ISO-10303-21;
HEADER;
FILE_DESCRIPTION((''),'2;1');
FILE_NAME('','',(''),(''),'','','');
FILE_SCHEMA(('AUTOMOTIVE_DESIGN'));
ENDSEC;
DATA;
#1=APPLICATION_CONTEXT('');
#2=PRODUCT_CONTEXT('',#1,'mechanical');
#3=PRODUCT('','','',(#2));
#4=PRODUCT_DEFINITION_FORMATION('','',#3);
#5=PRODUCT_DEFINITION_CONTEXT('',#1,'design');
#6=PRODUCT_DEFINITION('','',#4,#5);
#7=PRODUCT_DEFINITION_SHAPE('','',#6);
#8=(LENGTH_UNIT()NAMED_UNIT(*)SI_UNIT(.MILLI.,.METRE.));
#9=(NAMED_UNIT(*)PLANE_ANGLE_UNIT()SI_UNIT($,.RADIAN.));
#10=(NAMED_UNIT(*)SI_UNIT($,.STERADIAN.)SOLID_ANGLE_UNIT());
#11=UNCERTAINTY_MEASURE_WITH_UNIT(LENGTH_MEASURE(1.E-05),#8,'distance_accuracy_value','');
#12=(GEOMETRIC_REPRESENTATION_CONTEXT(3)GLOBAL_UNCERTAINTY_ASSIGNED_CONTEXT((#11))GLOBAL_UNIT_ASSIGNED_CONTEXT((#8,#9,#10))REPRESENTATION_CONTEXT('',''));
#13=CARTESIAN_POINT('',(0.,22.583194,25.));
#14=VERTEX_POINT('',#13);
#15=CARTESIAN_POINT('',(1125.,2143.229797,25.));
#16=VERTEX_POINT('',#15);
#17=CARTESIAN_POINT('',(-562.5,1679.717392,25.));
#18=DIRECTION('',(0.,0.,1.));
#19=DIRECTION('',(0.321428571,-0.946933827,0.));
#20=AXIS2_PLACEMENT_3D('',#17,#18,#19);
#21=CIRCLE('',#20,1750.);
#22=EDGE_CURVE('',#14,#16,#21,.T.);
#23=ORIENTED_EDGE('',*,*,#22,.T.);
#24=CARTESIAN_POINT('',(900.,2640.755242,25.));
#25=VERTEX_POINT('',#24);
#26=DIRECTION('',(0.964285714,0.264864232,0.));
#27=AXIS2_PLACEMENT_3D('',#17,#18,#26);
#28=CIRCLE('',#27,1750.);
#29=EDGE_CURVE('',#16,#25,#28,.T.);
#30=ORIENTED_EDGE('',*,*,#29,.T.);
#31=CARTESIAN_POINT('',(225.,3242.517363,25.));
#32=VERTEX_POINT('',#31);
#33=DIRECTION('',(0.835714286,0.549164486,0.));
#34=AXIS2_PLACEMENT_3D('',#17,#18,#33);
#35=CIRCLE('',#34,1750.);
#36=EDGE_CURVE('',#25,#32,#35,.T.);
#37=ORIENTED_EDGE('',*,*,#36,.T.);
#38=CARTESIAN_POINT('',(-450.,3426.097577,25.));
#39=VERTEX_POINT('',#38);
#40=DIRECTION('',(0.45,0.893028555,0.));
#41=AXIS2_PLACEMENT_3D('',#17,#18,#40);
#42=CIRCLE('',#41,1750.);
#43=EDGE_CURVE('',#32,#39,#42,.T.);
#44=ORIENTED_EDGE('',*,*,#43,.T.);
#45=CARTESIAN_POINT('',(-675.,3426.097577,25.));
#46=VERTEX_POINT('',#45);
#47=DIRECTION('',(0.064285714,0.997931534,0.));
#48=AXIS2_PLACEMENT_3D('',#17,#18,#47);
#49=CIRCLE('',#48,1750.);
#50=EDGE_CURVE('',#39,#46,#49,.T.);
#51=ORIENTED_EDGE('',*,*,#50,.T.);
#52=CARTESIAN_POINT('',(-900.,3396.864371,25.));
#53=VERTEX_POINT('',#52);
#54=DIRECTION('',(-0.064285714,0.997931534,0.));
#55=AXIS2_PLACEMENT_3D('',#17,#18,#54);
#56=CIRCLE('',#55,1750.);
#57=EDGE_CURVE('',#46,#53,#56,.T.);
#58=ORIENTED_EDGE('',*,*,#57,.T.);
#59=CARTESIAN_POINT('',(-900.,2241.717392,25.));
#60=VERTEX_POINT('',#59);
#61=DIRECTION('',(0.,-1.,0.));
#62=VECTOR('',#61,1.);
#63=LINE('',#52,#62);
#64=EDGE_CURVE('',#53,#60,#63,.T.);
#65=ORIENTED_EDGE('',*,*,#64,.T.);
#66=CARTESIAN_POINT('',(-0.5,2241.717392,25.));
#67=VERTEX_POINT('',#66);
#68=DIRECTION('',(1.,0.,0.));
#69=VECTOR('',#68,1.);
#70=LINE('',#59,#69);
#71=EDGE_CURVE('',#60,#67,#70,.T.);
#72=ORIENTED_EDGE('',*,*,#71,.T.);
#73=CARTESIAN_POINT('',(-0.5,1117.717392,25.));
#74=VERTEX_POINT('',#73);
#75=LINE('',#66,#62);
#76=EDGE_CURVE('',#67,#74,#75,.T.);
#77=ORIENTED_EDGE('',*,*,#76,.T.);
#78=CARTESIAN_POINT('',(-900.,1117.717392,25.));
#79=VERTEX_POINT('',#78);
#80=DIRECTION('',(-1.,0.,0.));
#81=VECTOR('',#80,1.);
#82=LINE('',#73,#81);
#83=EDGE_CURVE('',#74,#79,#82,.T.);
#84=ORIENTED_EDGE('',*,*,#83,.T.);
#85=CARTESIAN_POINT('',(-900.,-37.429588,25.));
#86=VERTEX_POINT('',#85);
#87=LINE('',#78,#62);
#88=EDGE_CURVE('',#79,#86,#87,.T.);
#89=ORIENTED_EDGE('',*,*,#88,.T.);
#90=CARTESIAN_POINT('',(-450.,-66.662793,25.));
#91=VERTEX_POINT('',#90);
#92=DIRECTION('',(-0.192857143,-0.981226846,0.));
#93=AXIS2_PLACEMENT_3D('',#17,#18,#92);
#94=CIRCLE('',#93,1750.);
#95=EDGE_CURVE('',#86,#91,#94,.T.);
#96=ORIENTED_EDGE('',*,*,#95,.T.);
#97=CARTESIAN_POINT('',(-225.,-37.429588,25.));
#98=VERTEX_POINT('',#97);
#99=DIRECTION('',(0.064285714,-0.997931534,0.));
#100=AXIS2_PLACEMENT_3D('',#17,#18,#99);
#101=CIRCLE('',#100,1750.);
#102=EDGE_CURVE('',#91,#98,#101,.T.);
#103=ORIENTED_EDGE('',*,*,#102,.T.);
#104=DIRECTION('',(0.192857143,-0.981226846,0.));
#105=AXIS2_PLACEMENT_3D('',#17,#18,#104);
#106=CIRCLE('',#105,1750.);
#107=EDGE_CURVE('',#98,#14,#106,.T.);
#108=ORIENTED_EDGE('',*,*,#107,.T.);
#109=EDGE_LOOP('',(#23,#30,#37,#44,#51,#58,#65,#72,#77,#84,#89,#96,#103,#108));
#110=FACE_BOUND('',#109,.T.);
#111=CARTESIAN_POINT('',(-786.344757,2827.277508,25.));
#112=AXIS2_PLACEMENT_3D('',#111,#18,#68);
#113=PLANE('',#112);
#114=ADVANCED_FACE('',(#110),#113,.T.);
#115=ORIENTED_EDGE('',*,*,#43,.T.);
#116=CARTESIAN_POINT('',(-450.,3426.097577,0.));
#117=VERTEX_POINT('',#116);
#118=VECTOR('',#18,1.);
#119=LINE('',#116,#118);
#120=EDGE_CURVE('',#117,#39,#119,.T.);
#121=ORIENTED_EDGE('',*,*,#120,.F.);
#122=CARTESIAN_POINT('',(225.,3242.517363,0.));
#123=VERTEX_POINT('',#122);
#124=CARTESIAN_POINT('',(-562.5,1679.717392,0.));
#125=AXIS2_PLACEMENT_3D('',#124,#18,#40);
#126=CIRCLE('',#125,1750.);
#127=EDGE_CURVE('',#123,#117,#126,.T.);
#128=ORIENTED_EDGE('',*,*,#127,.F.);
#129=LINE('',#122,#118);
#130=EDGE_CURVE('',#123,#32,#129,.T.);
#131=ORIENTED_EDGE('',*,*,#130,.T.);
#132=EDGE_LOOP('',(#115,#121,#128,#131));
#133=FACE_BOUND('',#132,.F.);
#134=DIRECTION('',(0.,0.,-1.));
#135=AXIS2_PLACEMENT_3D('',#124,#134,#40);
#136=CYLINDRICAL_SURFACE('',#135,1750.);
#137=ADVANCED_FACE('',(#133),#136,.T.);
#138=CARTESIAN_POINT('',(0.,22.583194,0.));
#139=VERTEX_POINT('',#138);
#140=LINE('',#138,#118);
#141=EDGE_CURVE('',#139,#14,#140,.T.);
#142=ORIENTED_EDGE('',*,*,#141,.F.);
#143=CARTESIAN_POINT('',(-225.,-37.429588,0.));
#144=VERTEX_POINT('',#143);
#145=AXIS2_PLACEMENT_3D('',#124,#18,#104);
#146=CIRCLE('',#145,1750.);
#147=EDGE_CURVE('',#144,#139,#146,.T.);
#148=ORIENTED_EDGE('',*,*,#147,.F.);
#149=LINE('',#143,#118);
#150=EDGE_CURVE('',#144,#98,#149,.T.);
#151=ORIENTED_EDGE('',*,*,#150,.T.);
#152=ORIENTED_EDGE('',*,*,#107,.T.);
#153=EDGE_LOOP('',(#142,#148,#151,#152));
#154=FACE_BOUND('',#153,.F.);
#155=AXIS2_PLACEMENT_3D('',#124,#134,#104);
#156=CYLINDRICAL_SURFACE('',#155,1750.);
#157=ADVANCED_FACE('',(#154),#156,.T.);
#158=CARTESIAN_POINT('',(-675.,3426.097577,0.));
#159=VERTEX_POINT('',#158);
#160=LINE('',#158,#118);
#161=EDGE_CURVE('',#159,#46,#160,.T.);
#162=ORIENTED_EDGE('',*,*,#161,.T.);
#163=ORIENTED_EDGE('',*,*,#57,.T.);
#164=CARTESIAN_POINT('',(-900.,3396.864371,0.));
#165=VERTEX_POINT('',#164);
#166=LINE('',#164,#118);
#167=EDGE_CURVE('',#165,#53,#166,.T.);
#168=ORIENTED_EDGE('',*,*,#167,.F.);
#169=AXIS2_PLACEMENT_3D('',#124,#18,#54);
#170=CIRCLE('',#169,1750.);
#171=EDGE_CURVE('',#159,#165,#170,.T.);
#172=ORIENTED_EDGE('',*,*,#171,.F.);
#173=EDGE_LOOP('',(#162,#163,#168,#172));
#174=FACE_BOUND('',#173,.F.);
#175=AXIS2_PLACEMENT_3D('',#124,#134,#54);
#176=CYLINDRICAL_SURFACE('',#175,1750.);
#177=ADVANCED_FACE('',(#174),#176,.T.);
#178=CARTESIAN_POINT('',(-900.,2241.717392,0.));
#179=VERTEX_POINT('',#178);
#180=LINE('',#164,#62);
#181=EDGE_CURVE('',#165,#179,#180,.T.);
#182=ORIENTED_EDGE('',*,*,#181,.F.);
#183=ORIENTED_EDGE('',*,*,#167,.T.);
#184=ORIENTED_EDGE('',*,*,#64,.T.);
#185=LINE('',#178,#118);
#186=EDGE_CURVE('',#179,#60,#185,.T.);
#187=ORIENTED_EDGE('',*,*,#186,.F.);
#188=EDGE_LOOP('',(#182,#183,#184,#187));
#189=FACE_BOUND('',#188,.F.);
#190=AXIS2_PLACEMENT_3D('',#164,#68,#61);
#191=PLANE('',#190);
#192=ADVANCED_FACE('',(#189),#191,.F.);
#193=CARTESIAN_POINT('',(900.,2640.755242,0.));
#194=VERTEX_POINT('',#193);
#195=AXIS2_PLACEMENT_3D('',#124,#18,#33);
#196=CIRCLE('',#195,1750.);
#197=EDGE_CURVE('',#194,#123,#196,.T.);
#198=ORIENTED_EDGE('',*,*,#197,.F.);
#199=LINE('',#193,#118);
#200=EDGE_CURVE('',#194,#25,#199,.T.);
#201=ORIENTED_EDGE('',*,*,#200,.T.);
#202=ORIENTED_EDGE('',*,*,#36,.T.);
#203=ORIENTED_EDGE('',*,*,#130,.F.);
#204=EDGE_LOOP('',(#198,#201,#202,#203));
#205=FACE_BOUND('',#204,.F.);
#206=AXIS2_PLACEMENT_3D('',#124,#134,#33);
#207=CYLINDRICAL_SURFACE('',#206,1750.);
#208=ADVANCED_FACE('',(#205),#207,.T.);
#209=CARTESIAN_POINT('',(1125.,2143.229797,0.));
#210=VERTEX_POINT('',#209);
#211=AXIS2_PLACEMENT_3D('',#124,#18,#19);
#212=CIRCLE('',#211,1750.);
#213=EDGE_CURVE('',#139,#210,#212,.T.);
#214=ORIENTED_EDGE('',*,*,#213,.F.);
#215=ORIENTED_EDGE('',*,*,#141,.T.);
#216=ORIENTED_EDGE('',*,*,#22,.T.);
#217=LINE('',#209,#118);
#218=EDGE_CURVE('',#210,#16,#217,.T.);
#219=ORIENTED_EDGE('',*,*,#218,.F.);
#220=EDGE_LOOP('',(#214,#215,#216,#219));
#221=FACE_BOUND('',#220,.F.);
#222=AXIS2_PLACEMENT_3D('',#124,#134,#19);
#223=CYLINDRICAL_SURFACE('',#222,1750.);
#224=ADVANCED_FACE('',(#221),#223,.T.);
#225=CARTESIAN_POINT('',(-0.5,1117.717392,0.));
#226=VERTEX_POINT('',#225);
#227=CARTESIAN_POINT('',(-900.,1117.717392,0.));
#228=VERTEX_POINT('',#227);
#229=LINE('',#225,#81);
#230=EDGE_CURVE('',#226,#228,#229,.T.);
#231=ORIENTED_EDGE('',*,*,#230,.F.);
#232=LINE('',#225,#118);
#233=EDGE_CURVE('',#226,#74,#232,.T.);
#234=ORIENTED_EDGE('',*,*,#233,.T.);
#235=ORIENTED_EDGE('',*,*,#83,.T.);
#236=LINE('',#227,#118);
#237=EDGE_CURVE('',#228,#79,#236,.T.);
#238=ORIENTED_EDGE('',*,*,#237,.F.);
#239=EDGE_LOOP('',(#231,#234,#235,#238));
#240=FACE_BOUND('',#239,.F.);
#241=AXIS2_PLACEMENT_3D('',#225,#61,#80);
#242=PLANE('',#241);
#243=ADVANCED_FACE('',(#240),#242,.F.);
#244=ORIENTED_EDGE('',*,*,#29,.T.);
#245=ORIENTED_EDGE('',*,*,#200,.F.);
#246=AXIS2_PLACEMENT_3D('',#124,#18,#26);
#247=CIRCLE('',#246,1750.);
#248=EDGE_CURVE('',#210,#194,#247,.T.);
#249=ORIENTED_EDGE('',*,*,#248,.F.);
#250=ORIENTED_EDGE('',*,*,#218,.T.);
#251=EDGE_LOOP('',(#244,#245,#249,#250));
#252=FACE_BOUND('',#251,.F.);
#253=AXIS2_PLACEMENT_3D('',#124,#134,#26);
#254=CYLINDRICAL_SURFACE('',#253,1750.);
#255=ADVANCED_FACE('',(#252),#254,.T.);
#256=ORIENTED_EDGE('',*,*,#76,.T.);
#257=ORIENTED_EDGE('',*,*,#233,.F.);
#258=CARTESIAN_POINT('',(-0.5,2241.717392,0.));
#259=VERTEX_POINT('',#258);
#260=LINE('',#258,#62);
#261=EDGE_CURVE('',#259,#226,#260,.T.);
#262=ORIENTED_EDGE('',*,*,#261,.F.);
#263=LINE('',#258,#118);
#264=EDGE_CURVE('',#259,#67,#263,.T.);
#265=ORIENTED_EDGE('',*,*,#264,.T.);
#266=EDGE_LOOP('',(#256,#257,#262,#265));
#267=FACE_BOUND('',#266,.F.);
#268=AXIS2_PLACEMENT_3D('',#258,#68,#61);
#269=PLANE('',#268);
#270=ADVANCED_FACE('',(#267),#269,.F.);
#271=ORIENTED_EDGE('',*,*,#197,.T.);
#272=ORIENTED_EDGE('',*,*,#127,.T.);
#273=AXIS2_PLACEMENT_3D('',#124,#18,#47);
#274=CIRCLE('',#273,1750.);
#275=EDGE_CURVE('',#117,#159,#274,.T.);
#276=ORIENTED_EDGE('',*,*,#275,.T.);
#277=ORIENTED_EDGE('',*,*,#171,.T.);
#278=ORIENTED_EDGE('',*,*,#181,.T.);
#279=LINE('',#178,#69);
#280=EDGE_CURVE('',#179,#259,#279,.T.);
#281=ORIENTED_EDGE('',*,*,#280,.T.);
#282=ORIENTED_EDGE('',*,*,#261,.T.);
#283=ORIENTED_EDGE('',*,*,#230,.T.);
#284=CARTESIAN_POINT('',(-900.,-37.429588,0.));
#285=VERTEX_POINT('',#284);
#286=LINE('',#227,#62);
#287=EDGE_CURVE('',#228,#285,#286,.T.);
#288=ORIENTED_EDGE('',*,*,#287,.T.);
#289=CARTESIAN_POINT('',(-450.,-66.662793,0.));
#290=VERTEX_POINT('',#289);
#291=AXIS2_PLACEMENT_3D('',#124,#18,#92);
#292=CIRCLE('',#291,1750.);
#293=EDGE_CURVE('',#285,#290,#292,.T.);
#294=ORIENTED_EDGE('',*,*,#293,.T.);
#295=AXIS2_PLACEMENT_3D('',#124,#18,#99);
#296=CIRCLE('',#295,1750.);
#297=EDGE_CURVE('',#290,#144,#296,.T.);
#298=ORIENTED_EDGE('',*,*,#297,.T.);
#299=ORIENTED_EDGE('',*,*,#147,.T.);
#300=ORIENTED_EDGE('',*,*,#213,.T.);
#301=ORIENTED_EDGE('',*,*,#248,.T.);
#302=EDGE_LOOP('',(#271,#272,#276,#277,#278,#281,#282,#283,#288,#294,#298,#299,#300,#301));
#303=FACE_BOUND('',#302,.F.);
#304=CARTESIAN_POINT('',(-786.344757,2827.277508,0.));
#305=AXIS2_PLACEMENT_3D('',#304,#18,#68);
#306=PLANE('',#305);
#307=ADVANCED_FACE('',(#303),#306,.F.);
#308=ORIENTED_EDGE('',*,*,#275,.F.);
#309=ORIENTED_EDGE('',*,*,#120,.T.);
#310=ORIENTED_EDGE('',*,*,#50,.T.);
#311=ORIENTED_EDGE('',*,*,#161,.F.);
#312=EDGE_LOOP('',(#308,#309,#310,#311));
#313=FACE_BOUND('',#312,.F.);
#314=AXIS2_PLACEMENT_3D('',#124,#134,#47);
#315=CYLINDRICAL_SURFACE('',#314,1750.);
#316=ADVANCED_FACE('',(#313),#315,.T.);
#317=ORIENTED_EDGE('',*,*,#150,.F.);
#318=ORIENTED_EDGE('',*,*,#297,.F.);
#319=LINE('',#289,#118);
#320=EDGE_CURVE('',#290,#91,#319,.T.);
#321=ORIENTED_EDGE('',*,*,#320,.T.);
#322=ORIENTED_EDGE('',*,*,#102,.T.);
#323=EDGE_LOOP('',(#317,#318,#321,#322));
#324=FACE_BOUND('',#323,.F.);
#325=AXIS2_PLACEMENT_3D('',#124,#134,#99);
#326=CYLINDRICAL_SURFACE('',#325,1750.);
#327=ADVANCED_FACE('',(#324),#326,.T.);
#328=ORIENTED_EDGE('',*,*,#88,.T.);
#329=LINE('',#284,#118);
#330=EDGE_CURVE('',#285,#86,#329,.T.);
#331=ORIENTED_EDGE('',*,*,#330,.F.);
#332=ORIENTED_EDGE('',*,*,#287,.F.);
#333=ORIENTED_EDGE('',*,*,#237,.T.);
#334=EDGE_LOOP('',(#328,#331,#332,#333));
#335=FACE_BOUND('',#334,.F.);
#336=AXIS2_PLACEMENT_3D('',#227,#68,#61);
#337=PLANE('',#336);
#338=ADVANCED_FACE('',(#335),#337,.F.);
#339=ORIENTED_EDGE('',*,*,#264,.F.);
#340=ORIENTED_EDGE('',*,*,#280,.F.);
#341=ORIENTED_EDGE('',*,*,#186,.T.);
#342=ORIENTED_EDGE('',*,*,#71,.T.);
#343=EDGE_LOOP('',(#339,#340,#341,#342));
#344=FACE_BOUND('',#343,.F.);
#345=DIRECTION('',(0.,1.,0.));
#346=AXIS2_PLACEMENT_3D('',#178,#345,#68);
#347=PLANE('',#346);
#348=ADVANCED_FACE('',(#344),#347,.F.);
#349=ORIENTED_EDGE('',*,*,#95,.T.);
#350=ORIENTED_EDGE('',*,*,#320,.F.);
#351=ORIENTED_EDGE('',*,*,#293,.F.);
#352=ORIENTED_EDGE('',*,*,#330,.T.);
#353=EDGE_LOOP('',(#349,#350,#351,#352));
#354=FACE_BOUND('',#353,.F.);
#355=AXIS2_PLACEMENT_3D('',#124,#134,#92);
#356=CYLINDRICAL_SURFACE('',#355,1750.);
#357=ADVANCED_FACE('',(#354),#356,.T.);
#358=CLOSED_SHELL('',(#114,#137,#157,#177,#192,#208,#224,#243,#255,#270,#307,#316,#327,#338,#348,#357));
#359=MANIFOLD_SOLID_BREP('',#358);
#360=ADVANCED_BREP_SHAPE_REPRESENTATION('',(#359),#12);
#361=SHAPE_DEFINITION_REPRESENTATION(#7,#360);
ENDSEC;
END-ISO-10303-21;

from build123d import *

# Parameters (mm, degrees)
F1_DEPTH = 25


with BuildPart() as f1:
    # F0 (on Top) → F1 (new body)
    with BuildSketch(Plane.XY):
        with BuildLine():
            Line((-675, 2241.7173917294), (-675, 3426.0975765688))
            ThreePointArc((-675, 3426.0975765688), (-787.9742669801, 3415.1312775012), (-900, 3396.8643714606))
            Line((-900, 3396.8643714606), (-900, 2241.7173917294))
            Line((-900, 2241.7173917294), (-675, 2241.7173917294))
        make_face()
        with BuildLine():
            Line((-450, 2241.7173917294), (-450, 3426.0975765688))
            ThreePointArc((-450, 3426.0975765688), (-562.5, 3429.7173917294), (-675, 3426.0975765688))
            Line((-675, 3426.0975765688), (-675, 2241.7173917294))
            Line((-675, 2241.7173917294), (-450, 2241.7173917294))
        make_face()
        with BuildLine():
            Line((-675, -66.6627931101), (-675, 1117.7173917294))
            Line((-675, 1117.7173917294), (-900, 1117.7173917294))
            Line((-900, 1117.7173917294), (-900, -37.4295880018))
            ThreePointArc((-900, -37.4295880018), (-787.9742669801, -55.6964940425), (-675, -66.6627931101))
        make_face()
        with BuildLine():
            Line((-450, -66.6627931101), (-450, 1117.7173917294))
            Line((-450, 1117.7173917294), (-675, 1117.7173917294))
            Line((-675, 1117.7173917294), (-675, -66.6627931101))
            ThreePointArc((-675, -66.6627931101), (-562.5, -70.2826082706), (-450, -66.6627931101))
        make_face()
        with BuildLine():
            Line((-225, 1117.7173917294), (-450, 1117.7173917294))
            Line((-450, 1117.7173917294), (-450, -66.6627931101))
            ThreePointArc((-450, -66.6627931101), (-337.0257330199, -55.6964940425), (-225, -37.4295880018))
            Line((-225, -37.4295880018), (-225, 1117.7173917294))
        make_face()
        with BuildLine():
            ThreePointArc((0, 3336.8515896747), (-111.5006834878, 3370.6046193426), (-225, 3396.8643714606))
            Line((-225, 3396.8643714606), (-225, 2241.7173917294))
            Line((-225, 2241.7173917294), (-0.5, 2241.7173917294))
            Line((-0.5, 2241.7173917294), (-0.5, 1117.7173917294))
            Line((-0.5, 1117.7173917294), (-225, 1117.7173917294))
            Line((-225, 1117.7173917294), (-225, -37.4295880018))
            ThreePointArc((-225, -37.4295880018), (-111.5006834878, -11.1698358839), (0, 22.583193784))
            Line((0, 22.583193784), (0, 3336.8515896747))
        make_face()
        with BuildLine():
            ThreePointArc((450, 3107.0729010542), (340.044348253, 3179.0217969241), (225, 3242.5173629349))
            Line((225, 3242.5173629349), (225, 116.9174205238))
            ThreePointArc((225, 116.9174205238), (340.044348253, 180.4129865346), (450, 252.3618824045))
            Line((450, 252.3618824045), (450, 3107.0729010542))
        make_face()
        with BuildLine():
            ThreePointArc((900, 2640.7552421807), (794.5520917452, 2784.6651824823), (674.9999999999, 2917.0911226612))
            Line((675, 2917.0911226612), (675, 442.3436607977))
            ThreePointArc((675.0000000001, 442.3436607977), (794.5520917453, 574.7696009764), (900, 718.679541278))
            Line((900, 718.679541278), (900, 2640.7552421807))
        make_face()
        with BuildLine():
            ThreePointArc((1125, 2143.2297971729), (1032.024346665, 2400.8221746094), (900, 2640.7552421807))
            Line((900, 2640.7552421807), (900, 718.679541278))
            ThreePointArc((900, 718.679541278), (1032.024346665, 958.6126088493), (1125, 1216.2049862858))
            Line((1125, 1216.2049862858), (1125, 2143.2297971729))
        make_face()
        with BuildLine():
            ThreePointArc((1187.5, 1679.7173917294), (1171.8046156889, 1913.5709784027), (1125, 2143.2297971729))
            Line((1125, 2143.2297971729), (1125, 1216.2049862858))
            ThreePointArc((1125, 1216.2049862858), (1171.8046156889, 1445.863805056), (1187.5, 1679.7173917294))
        make_face()
        with BuildLine():
            ThreePointArc((674.9999999999, 2917.0911226612), (566.5032192294, 3016.8231208958), (450, 3107.0729010542))
            Line((450, 3107.0729010542), (450, 252.3618824045))
            ThreePointArc((450, 252.3618824045), (566.5032192294, 342.611662563), (675.0000000001, 442.3436607977))
            Line((675, 442.3436607977), (675, 2917.0911226612))
        make_face()
        with BuildLine():
            ThreePointArc((225, 3242.5173629349), (114.1459462552, 3293.6102826662), (0, 3336.8515896747))
            Line((0, 3336.8515896747), (0, 22.583193784))
            ThreePointArc((0, 22.583193784), (114.1459462552, 65.8245007925), (225, 116.9174205238))
            Line((225, 116.9174205238), (225, 3242.5173629349))
        make_face()
        with BuildLine():
            ThreePointArc((-225, 3396.8643714606), (-337.0257330198, 3415.1312775012), (-450, 3426.0975765688))
            Line((-450, 3426.0975765688), (-450, 2241.7173917294))
            Line((-450, 2241.7173917294), (-225, 2241.7173917294))
            Line((-225, 2241.7173917294), (-225, 3396.8643714606))
        make_face()
    extrude(amount=F1_DEPTH)


solid = f1.part
